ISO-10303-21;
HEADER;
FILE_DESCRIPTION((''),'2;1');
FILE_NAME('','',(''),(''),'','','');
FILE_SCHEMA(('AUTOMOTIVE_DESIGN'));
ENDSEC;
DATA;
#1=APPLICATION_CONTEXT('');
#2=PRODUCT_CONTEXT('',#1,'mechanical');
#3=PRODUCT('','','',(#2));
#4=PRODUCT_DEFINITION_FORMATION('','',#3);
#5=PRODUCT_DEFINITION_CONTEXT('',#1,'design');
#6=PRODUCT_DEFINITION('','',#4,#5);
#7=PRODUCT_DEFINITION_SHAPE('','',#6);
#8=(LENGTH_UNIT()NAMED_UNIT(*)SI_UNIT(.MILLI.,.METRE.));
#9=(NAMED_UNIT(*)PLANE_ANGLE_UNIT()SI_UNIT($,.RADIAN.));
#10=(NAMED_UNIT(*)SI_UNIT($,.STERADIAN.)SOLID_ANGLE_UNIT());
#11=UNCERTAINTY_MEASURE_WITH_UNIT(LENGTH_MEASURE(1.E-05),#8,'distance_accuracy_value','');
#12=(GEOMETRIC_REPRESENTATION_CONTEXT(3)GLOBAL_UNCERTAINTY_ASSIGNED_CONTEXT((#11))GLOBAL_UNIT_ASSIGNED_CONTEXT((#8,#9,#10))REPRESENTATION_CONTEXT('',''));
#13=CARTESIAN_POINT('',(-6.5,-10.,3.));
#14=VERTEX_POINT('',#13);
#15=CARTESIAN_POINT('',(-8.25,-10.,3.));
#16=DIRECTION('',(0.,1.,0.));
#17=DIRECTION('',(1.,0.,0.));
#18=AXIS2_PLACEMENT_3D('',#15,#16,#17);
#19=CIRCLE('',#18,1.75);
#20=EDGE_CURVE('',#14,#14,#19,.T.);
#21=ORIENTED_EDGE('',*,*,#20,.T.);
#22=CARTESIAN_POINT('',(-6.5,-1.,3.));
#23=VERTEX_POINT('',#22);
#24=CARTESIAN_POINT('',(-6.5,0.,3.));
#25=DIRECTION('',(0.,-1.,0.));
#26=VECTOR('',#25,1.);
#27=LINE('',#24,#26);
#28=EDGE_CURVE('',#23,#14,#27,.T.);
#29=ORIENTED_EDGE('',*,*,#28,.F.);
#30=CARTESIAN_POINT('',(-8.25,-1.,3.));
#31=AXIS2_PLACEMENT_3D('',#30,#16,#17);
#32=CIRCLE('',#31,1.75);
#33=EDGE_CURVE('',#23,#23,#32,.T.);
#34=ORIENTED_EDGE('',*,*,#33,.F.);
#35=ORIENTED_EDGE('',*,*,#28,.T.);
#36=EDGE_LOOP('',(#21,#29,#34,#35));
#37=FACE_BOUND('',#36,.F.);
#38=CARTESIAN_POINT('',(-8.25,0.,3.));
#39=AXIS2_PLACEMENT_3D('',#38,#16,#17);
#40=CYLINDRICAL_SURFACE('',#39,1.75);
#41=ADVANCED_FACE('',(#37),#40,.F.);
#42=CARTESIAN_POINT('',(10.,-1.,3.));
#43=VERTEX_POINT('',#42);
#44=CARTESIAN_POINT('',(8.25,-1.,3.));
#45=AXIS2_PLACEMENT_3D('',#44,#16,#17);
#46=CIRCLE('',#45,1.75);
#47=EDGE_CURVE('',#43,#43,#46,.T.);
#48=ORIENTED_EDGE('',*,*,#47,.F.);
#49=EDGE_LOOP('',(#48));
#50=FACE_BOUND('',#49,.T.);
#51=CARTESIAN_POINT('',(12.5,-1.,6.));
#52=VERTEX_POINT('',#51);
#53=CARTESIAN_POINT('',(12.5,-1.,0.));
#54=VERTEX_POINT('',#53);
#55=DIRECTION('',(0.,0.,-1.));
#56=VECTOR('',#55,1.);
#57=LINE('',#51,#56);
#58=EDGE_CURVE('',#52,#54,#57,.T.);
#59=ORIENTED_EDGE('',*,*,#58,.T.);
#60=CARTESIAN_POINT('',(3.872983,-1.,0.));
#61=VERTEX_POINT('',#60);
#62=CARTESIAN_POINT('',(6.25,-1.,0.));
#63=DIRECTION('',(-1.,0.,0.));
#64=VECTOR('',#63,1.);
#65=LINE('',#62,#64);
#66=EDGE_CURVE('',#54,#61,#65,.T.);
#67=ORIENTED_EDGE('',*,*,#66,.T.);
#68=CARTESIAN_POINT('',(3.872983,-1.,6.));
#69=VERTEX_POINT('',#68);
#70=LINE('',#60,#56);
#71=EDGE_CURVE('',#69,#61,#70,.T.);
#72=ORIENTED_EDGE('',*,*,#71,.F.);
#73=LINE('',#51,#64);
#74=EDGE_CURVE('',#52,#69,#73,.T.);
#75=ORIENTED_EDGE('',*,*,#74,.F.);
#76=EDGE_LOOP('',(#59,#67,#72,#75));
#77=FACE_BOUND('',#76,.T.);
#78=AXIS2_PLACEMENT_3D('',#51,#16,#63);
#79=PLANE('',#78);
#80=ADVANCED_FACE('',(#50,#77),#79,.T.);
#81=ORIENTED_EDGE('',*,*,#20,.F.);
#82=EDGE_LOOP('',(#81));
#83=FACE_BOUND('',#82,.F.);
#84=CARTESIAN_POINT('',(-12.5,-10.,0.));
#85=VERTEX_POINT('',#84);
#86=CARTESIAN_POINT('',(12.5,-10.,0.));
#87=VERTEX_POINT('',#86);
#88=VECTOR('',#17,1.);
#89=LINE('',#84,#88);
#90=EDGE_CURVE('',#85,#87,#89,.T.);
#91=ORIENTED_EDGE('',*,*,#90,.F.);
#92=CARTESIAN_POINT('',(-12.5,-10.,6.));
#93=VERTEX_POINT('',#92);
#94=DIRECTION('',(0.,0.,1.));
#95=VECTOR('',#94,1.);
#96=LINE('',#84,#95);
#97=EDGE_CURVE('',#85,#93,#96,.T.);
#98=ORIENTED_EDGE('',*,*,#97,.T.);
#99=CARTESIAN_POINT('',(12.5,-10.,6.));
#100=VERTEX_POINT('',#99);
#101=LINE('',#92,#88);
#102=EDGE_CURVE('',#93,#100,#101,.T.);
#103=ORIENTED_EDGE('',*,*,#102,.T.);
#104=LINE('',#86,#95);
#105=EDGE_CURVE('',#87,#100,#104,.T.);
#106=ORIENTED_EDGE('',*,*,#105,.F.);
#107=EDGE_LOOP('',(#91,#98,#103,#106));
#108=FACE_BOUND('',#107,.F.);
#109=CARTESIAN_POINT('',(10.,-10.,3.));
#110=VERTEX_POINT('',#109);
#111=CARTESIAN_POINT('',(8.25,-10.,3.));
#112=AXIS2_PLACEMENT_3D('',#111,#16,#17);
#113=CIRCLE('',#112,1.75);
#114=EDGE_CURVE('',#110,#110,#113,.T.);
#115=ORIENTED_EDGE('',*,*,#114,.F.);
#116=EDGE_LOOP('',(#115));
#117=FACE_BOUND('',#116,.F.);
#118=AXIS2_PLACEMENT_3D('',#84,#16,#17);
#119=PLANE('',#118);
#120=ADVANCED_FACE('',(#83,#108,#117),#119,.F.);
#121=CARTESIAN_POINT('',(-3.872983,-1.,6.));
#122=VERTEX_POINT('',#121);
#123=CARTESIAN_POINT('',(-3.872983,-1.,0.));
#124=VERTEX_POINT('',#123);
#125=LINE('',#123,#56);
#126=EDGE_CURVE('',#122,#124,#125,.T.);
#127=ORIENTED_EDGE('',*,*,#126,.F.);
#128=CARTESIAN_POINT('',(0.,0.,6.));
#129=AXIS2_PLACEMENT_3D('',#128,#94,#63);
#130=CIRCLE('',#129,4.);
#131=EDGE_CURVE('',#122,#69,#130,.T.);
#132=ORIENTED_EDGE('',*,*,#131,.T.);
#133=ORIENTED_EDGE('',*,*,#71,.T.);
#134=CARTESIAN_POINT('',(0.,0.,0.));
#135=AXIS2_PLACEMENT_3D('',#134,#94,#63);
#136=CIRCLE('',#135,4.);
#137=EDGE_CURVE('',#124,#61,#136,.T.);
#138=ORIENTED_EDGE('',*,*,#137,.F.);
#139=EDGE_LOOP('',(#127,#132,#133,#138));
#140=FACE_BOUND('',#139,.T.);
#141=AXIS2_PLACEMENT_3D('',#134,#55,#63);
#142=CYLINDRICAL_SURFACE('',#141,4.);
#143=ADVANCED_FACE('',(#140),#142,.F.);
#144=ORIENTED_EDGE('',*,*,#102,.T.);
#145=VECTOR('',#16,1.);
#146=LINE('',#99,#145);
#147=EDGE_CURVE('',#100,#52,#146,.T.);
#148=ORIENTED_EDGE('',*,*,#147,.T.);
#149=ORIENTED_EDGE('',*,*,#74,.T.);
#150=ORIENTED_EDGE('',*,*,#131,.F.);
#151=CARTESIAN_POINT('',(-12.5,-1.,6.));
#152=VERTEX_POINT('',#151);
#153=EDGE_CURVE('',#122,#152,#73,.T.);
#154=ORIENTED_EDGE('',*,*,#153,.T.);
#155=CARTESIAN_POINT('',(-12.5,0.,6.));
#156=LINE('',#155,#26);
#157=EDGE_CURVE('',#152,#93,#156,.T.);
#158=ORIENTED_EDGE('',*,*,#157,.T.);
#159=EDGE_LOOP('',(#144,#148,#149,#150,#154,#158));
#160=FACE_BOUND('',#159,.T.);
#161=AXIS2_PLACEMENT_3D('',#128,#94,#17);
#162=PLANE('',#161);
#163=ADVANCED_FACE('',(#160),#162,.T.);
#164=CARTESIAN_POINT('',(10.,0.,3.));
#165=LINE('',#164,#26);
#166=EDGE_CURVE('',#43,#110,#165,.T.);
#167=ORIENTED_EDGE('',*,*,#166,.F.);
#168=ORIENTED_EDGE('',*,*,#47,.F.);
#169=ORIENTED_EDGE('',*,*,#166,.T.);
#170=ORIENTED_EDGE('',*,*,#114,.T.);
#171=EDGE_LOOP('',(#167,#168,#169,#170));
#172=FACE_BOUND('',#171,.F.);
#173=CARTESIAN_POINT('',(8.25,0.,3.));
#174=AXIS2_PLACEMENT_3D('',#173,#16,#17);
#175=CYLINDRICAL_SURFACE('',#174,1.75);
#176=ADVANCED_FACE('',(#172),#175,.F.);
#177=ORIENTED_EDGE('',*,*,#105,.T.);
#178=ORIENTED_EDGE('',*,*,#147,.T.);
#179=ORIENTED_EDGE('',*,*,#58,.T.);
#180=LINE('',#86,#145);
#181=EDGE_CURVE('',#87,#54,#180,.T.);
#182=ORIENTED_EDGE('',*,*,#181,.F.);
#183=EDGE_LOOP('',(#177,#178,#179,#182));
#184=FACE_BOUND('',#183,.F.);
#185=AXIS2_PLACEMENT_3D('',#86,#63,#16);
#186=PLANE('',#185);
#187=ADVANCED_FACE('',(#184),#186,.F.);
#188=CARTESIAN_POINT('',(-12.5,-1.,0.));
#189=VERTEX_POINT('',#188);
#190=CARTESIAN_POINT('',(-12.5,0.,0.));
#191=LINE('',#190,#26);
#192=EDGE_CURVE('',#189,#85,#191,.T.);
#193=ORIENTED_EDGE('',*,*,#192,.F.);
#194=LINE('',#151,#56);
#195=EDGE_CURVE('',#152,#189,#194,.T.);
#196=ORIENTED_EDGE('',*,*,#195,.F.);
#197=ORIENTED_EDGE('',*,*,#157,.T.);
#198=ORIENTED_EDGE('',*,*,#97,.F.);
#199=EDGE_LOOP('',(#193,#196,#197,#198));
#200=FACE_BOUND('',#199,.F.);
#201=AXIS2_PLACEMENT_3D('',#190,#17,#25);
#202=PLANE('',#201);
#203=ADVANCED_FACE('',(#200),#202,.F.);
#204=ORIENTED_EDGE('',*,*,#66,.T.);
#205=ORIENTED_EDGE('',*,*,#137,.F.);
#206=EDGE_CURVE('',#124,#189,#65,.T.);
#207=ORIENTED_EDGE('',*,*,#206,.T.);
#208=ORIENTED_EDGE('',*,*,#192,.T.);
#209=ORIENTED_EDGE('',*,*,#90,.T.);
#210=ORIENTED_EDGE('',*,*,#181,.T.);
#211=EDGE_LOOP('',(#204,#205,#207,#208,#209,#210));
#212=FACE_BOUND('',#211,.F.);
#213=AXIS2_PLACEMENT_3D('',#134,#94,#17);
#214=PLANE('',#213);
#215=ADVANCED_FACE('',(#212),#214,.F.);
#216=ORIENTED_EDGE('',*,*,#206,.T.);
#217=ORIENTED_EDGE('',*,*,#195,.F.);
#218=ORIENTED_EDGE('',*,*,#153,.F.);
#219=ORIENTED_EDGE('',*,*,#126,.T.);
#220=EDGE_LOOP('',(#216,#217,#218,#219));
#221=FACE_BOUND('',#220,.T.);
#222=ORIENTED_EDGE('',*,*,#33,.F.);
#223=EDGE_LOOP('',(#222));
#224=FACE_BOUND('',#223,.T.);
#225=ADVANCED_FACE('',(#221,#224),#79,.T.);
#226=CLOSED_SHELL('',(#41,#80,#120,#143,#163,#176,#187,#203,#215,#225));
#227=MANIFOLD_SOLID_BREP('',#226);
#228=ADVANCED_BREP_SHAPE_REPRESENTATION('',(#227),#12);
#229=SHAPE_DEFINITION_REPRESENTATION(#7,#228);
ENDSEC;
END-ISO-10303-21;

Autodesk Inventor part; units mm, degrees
ref_plane "YZ Plane" through (0, 0, 0) normal (1, 0, 0) x (0, 1, 0)
ref_plane "XZ Plane" through (0, 0, 0) normal (0, 1, 0) x (-1, 0, 0)
ref_plane "XY Plane" through (0, 0, 0) normal (0, 0, 1) x (1, 0, 0)
sketch "Sketch1" plane through (0, 0, 0) normal (0, 0, 1) x (1, 0, 0)
  arc A0 (-4, 0) -> (4, 0) centre (0, 0) ccw
  line L0 (-4, 0) -> (-12.5, 0)
  line L1 (-12.5, 0) -> (-12.5, -10)
  line L2 (-12.5, -10) -> (12.5, -10)
  line L3 (12.5, -10) -> (12.5, 0)
  line L4 (12.5, 0) -> (4, 0)
  dimension "d0" = 4
  dimension "d1" = 10
  dimension "d2" = 25
extrude "Extrusion1" add sketch "Sketch1" along normal blind 6
sketch "Sketch2" plane through (-12.5, 0, 0) normal (0, 1, 0) x (1, 0, 0)
  line L0 (0, 0) -> (8.5, 0) projected
  line L1 (8.5, -6) -> (0, -6) projected
  line L2 (16.5, 0) -> (25, 0) projected
  line L3 (16.5, 0) -> (16.5, -6) projected
  line L4 (25, -6) -> (16.5, -6) projected
  line L5 (25, 0) -> (25, -6) projected
  line L6 (4.25, 0) -> (4.25, -6) construction
  line L7 (20.75, 0) -> (20.75, -6) construction
  circle A0 centre (4.25, -3) radius 1.75
  circle A1 centre (20.75, -3) radius 1.75
  point P0 (12.5, 0)
  dimension "d5" = 3.5
extrude "Extrusion2" cut sketch "Sketch2" against normal through all contours A0 | A1
sketch "Sketch3" plane through (0, 0, 6) normal (0, 0, 1) x (1, 0, 0)
  line L0 (12.5, -10) -> (12.5, 0) projected
  line L1 (-12.5, 0) -> (12.5, 0)
  line L2 (12.5, 0) -> (12.5, -1)
  line L3 (12.5, -1) -> (-12.5, -1)
  line L4 (-12.5, -1) -> (-12.5, 0)
  dimension "d8" = 1
extrude "Extrusion3" cut sketch "Sketch3" against normal through all
properties part number "sensor bracket coupler"
